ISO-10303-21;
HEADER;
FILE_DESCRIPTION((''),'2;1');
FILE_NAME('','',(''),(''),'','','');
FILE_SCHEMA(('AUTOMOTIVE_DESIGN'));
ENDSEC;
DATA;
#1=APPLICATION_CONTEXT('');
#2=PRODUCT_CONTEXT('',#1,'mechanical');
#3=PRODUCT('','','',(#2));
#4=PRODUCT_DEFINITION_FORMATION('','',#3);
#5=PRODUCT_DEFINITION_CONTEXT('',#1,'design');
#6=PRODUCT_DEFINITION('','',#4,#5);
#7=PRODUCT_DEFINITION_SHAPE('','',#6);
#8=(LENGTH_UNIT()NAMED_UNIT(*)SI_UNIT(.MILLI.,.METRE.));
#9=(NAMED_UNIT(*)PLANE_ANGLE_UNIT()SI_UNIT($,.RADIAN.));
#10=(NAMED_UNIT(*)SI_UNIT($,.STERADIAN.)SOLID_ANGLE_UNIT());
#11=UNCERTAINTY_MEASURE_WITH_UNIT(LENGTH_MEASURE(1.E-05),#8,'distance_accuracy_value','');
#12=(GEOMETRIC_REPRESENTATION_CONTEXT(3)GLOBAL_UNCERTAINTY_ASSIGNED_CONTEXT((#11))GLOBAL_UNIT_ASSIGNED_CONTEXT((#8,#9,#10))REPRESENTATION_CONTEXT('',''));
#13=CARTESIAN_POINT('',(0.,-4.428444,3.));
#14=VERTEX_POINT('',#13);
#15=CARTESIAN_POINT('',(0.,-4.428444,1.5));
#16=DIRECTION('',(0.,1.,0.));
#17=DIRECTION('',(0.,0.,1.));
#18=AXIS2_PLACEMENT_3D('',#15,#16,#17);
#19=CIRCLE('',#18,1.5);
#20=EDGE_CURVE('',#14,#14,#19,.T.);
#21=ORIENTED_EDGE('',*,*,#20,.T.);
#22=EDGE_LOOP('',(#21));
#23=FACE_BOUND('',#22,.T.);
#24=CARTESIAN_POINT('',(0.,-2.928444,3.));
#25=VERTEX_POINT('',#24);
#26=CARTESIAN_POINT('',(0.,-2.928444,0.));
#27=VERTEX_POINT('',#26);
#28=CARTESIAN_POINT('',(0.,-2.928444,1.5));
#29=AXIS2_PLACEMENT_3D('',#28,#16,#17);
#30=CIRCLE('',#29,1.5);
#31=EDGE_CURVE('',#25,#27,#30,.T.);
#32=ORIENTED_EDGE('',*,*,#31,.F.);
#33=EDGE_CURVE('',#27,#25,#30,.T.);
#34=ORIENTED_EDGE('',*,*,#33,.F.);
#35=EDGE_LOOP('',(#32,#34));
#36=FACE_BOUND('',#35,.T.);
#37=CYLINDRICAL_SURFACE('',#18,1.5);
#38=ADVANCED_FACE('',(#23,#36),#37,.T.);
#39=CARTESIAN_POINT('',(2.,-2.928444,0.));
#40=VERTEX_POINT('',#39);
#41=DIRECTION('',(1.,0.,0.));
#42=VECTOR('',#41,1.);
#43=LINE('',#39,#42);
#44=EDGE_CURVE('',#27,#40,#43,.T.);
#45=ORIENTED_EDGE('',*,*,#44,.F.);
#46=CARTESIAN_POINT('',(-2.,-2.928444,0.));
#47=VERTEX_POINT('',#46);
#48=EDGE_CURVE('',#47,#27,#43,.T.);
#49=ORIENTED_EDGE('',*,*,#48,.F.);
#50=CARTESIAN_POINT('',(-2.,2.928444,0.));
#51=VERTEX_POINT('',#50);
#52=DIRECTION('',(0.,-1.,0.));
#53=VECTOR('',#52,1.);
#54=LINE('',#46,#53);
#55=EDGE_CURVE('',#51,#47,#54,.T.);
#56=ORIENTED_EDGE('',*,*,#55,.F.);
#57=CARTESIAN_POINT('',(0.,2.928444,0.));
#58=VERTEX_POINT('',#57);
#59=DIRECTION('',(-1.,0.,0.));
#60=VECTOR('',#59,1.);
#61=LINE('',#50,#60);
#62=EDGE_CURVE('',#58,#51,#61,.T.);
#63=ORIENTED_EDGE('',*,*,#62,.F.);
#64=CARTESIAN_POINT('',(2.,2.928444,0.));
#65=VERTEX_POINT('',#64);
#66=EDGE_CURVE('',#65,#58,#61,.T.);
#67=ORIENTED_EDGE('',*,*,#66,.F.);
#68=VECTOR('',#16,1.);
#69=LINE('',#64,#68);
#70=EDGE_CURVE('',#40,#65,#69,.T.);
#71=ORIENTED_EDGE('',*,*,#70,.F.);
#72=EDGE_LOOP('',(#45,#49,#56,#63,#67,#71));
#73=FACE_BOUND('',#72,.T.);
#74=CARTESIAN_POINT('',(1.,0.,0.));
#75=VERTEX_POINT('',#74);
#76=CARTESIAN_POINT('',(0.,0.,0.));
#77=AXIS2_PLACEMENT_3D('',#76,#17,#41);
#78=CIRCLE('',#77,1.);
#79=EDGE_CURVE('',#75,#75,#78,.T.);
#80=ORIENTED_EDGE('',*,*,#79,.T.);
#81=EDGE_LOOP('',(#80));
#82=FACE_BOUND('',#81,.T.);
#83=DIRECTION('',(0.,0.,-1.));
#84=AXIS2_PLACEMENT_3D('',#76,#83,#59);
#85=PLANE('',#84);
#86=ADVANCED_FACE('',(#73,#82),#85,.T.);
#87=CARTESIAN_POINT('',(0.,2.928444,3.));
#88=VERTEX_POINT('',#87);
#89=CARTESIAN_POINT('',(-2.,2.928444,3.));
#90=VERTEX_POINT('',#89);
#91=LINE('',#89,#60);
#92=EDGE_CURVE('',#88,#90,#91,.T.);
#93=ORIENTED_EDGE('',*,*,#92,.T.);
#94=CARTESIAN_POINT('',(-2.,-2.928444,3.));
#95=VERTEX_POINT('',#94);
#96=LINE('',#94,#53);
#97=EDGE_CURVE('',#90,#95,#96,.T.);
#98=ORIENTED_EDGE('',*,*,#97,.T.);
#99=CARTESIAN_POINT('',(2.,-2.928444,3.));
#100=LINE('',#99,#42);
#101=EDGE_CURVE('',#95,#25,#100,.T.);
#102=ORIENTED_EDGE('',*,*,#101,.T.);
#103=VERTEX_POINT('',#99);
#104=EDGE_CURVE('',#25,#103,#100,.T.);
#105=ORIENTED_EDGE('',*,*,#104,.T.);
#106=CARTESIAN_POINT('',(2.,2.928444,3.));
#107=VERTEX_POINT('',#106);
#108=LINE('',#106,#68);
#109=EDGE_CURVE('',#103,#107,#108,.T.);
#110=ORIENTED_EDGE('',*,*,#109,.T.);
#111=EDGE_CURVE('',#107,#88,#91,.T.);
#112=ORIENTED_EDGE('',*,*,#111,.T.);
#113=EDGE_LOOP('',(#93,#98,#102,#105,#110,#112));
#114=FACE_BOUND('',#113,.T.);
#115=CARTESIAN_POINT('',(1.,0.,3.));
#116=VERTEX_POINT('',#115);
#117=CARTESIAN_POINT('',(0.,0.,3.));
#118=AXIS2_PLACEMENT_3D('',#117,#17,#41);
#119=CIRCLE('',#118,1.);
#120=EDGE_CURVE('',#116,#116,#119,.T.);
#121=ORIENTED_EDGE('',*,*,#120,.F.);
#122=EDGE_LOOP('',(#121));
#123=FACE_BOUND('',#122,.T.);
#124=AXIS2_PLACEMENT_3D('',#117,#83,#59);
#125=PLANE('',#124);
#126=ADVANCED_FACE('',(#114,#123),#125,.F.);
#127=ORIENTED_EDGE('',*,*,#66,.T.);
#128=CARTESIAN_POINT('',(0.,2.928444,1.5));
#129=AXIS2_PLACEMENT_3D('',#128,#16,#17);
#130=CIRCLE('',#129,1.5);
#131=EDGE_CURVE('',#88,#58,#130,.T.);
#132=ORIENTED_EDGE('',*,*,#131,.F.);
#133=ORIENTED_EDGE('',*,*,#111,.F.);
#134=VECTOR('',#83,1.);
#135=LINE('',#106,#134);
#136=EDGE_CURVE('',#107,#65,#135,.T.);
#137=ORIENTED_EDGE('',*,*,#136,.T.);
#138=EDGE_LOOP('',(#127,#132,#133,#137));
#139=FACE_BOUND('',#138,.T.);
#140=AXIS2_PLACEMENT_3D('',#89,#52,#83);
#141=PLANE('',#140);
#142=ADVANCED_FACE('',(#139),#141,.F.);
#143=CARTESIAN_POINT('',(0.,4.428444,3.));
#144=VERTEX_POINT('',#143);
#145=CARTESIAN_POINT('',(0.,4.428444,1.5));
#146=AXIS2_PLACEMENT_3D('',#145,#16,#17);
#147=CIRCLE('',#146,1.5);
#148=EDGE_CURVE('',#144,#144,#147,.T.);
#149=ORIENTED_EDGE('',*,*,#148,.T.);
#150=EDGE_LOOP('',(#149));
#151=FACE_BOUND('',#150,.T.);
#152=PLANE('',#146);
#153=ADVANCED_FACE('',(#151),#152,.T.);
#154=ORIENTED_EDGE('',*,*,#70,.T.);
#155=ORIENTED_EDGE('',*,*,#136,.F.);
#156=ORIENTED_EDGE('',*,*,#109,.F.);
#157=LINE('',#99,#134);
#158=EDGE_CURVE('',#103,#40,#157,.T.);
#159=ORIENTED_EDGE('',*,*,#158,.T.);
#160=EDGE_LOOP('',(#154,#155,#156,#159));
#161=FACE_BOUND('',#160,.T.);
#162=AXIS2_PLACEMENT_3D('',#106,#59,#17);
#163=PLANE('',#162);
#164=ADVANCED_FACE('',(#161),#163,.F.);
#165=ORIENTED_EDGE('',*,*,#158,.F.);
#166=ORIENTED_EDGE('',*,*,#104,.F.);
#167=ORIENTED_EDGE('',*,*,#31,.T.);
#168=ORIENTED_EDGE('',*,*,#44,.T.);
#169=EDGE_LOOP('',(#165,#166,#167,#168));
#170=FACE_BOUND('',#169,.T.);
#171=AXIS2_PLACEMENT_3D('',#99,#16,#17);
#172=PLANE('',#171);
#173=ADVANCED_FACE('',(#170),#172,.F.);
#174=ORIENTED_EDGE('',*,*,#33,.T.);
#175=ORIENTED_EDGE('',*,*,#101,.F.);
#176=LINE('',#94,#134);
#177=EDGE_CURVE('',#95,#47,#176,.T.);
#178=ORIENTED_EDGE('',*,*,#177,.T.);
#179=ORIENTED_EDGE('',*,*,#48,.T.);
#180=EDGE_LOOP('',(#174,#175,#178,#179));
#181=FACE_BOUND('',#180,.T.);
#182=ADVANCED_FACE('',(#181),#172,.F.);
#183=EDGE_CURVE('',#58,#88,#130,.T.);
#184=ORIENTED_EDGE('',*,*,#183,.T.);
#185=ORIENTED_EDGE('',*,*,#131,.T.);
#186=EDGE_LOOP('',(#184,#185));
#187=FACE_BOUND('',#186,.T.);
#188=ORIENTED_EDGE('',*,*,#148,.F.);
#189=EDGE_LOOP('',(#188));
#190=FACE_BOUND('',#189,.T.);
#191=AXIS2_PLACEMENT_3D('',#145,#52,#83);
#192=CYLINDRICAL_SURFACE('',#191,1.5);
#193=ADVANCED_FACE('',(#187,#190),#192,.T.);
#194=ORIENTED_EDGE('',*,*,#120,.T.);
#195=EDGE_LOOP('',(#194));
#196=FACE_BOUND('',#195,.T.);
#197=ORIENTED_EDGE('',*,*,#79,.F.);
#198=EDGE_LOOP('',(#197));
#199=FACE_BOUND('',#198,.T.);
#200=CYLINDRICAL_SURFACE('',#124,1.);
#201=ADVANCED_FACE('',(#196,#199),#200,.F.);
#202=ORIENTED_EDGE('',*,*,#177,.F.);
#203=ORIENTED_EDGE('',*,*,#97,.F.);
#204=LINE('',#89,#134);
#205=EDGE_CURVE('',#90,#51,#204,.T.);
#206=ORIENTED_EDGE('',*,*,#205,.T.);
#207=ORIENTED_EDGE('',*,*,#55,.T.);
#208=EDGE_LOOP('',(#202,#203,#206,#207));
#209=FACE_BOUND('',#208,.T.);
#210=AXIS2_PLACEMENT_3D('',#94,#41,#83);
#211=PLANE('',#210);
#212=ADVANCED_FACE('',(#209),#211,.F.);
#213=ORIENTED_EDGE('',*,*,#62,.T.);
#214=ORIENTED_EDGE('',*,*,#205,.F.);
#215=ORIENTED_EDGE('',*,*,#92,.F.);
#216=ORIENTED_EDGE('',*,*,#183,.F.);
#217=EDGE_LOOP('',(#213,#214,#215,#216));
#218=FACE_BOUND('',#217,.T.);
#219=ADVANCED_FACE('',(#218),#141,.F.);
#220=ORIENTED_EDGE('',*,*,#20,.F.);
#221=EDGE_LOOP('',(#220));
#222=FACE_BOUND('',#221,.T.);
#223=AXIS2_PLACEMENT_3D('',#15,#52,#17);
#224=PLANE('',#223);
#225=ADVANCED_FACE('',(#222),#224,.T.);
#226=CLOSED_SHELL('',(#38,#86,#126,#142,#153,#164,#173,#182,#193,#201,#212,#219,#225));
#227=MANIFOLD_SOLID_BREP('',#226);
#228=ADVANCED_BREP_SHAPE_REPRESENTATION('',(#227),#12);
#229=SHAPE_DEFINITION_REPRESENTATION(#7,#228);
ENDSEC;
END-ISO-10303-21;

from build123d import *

# Parameters (mm, degrees)
SKETCH_1_W      = 4
SKETCH_1_H      = 5.856888772
SKETCH_1_R      = 0.999999985
EXTRUDE_1_DEPTH = 3
SKETCH_2_R      = 1.5
EXTRUDE_2_DEPTH = 1.5


with BuildPart() as part:
    # 草图1 → 凸台-拉伸1 (new body)
    with BuildSketch(Plane.XY):
        Rectangle(SKETCH_1_W, SKETCH_1_H)
        Circle(SKETCH_1_R, mode=Mode.SUBTRACT)
    extrude(amount=EXTRUDE_1_DEPTH)

    # 草图2 → 凸台-拉伸2 (add)
    with BuildSketch(Plane(origin=(0, 2.928444386, 0), x_dir=(1, 0, 0), z_dir=(0, 1, 0))):
        with Locations(Location((0, -1.5, 0), (0, 0, 270))):
            Circle(SKETCH_2_R)
    extrude_2 = extrude(amount=EXTRUDE_2_DEPTH)

    # 镜向1: 凸台-拉伸2 across plane
    add(extrude_2.mirror(Plane.ZX))


solid = part.part
